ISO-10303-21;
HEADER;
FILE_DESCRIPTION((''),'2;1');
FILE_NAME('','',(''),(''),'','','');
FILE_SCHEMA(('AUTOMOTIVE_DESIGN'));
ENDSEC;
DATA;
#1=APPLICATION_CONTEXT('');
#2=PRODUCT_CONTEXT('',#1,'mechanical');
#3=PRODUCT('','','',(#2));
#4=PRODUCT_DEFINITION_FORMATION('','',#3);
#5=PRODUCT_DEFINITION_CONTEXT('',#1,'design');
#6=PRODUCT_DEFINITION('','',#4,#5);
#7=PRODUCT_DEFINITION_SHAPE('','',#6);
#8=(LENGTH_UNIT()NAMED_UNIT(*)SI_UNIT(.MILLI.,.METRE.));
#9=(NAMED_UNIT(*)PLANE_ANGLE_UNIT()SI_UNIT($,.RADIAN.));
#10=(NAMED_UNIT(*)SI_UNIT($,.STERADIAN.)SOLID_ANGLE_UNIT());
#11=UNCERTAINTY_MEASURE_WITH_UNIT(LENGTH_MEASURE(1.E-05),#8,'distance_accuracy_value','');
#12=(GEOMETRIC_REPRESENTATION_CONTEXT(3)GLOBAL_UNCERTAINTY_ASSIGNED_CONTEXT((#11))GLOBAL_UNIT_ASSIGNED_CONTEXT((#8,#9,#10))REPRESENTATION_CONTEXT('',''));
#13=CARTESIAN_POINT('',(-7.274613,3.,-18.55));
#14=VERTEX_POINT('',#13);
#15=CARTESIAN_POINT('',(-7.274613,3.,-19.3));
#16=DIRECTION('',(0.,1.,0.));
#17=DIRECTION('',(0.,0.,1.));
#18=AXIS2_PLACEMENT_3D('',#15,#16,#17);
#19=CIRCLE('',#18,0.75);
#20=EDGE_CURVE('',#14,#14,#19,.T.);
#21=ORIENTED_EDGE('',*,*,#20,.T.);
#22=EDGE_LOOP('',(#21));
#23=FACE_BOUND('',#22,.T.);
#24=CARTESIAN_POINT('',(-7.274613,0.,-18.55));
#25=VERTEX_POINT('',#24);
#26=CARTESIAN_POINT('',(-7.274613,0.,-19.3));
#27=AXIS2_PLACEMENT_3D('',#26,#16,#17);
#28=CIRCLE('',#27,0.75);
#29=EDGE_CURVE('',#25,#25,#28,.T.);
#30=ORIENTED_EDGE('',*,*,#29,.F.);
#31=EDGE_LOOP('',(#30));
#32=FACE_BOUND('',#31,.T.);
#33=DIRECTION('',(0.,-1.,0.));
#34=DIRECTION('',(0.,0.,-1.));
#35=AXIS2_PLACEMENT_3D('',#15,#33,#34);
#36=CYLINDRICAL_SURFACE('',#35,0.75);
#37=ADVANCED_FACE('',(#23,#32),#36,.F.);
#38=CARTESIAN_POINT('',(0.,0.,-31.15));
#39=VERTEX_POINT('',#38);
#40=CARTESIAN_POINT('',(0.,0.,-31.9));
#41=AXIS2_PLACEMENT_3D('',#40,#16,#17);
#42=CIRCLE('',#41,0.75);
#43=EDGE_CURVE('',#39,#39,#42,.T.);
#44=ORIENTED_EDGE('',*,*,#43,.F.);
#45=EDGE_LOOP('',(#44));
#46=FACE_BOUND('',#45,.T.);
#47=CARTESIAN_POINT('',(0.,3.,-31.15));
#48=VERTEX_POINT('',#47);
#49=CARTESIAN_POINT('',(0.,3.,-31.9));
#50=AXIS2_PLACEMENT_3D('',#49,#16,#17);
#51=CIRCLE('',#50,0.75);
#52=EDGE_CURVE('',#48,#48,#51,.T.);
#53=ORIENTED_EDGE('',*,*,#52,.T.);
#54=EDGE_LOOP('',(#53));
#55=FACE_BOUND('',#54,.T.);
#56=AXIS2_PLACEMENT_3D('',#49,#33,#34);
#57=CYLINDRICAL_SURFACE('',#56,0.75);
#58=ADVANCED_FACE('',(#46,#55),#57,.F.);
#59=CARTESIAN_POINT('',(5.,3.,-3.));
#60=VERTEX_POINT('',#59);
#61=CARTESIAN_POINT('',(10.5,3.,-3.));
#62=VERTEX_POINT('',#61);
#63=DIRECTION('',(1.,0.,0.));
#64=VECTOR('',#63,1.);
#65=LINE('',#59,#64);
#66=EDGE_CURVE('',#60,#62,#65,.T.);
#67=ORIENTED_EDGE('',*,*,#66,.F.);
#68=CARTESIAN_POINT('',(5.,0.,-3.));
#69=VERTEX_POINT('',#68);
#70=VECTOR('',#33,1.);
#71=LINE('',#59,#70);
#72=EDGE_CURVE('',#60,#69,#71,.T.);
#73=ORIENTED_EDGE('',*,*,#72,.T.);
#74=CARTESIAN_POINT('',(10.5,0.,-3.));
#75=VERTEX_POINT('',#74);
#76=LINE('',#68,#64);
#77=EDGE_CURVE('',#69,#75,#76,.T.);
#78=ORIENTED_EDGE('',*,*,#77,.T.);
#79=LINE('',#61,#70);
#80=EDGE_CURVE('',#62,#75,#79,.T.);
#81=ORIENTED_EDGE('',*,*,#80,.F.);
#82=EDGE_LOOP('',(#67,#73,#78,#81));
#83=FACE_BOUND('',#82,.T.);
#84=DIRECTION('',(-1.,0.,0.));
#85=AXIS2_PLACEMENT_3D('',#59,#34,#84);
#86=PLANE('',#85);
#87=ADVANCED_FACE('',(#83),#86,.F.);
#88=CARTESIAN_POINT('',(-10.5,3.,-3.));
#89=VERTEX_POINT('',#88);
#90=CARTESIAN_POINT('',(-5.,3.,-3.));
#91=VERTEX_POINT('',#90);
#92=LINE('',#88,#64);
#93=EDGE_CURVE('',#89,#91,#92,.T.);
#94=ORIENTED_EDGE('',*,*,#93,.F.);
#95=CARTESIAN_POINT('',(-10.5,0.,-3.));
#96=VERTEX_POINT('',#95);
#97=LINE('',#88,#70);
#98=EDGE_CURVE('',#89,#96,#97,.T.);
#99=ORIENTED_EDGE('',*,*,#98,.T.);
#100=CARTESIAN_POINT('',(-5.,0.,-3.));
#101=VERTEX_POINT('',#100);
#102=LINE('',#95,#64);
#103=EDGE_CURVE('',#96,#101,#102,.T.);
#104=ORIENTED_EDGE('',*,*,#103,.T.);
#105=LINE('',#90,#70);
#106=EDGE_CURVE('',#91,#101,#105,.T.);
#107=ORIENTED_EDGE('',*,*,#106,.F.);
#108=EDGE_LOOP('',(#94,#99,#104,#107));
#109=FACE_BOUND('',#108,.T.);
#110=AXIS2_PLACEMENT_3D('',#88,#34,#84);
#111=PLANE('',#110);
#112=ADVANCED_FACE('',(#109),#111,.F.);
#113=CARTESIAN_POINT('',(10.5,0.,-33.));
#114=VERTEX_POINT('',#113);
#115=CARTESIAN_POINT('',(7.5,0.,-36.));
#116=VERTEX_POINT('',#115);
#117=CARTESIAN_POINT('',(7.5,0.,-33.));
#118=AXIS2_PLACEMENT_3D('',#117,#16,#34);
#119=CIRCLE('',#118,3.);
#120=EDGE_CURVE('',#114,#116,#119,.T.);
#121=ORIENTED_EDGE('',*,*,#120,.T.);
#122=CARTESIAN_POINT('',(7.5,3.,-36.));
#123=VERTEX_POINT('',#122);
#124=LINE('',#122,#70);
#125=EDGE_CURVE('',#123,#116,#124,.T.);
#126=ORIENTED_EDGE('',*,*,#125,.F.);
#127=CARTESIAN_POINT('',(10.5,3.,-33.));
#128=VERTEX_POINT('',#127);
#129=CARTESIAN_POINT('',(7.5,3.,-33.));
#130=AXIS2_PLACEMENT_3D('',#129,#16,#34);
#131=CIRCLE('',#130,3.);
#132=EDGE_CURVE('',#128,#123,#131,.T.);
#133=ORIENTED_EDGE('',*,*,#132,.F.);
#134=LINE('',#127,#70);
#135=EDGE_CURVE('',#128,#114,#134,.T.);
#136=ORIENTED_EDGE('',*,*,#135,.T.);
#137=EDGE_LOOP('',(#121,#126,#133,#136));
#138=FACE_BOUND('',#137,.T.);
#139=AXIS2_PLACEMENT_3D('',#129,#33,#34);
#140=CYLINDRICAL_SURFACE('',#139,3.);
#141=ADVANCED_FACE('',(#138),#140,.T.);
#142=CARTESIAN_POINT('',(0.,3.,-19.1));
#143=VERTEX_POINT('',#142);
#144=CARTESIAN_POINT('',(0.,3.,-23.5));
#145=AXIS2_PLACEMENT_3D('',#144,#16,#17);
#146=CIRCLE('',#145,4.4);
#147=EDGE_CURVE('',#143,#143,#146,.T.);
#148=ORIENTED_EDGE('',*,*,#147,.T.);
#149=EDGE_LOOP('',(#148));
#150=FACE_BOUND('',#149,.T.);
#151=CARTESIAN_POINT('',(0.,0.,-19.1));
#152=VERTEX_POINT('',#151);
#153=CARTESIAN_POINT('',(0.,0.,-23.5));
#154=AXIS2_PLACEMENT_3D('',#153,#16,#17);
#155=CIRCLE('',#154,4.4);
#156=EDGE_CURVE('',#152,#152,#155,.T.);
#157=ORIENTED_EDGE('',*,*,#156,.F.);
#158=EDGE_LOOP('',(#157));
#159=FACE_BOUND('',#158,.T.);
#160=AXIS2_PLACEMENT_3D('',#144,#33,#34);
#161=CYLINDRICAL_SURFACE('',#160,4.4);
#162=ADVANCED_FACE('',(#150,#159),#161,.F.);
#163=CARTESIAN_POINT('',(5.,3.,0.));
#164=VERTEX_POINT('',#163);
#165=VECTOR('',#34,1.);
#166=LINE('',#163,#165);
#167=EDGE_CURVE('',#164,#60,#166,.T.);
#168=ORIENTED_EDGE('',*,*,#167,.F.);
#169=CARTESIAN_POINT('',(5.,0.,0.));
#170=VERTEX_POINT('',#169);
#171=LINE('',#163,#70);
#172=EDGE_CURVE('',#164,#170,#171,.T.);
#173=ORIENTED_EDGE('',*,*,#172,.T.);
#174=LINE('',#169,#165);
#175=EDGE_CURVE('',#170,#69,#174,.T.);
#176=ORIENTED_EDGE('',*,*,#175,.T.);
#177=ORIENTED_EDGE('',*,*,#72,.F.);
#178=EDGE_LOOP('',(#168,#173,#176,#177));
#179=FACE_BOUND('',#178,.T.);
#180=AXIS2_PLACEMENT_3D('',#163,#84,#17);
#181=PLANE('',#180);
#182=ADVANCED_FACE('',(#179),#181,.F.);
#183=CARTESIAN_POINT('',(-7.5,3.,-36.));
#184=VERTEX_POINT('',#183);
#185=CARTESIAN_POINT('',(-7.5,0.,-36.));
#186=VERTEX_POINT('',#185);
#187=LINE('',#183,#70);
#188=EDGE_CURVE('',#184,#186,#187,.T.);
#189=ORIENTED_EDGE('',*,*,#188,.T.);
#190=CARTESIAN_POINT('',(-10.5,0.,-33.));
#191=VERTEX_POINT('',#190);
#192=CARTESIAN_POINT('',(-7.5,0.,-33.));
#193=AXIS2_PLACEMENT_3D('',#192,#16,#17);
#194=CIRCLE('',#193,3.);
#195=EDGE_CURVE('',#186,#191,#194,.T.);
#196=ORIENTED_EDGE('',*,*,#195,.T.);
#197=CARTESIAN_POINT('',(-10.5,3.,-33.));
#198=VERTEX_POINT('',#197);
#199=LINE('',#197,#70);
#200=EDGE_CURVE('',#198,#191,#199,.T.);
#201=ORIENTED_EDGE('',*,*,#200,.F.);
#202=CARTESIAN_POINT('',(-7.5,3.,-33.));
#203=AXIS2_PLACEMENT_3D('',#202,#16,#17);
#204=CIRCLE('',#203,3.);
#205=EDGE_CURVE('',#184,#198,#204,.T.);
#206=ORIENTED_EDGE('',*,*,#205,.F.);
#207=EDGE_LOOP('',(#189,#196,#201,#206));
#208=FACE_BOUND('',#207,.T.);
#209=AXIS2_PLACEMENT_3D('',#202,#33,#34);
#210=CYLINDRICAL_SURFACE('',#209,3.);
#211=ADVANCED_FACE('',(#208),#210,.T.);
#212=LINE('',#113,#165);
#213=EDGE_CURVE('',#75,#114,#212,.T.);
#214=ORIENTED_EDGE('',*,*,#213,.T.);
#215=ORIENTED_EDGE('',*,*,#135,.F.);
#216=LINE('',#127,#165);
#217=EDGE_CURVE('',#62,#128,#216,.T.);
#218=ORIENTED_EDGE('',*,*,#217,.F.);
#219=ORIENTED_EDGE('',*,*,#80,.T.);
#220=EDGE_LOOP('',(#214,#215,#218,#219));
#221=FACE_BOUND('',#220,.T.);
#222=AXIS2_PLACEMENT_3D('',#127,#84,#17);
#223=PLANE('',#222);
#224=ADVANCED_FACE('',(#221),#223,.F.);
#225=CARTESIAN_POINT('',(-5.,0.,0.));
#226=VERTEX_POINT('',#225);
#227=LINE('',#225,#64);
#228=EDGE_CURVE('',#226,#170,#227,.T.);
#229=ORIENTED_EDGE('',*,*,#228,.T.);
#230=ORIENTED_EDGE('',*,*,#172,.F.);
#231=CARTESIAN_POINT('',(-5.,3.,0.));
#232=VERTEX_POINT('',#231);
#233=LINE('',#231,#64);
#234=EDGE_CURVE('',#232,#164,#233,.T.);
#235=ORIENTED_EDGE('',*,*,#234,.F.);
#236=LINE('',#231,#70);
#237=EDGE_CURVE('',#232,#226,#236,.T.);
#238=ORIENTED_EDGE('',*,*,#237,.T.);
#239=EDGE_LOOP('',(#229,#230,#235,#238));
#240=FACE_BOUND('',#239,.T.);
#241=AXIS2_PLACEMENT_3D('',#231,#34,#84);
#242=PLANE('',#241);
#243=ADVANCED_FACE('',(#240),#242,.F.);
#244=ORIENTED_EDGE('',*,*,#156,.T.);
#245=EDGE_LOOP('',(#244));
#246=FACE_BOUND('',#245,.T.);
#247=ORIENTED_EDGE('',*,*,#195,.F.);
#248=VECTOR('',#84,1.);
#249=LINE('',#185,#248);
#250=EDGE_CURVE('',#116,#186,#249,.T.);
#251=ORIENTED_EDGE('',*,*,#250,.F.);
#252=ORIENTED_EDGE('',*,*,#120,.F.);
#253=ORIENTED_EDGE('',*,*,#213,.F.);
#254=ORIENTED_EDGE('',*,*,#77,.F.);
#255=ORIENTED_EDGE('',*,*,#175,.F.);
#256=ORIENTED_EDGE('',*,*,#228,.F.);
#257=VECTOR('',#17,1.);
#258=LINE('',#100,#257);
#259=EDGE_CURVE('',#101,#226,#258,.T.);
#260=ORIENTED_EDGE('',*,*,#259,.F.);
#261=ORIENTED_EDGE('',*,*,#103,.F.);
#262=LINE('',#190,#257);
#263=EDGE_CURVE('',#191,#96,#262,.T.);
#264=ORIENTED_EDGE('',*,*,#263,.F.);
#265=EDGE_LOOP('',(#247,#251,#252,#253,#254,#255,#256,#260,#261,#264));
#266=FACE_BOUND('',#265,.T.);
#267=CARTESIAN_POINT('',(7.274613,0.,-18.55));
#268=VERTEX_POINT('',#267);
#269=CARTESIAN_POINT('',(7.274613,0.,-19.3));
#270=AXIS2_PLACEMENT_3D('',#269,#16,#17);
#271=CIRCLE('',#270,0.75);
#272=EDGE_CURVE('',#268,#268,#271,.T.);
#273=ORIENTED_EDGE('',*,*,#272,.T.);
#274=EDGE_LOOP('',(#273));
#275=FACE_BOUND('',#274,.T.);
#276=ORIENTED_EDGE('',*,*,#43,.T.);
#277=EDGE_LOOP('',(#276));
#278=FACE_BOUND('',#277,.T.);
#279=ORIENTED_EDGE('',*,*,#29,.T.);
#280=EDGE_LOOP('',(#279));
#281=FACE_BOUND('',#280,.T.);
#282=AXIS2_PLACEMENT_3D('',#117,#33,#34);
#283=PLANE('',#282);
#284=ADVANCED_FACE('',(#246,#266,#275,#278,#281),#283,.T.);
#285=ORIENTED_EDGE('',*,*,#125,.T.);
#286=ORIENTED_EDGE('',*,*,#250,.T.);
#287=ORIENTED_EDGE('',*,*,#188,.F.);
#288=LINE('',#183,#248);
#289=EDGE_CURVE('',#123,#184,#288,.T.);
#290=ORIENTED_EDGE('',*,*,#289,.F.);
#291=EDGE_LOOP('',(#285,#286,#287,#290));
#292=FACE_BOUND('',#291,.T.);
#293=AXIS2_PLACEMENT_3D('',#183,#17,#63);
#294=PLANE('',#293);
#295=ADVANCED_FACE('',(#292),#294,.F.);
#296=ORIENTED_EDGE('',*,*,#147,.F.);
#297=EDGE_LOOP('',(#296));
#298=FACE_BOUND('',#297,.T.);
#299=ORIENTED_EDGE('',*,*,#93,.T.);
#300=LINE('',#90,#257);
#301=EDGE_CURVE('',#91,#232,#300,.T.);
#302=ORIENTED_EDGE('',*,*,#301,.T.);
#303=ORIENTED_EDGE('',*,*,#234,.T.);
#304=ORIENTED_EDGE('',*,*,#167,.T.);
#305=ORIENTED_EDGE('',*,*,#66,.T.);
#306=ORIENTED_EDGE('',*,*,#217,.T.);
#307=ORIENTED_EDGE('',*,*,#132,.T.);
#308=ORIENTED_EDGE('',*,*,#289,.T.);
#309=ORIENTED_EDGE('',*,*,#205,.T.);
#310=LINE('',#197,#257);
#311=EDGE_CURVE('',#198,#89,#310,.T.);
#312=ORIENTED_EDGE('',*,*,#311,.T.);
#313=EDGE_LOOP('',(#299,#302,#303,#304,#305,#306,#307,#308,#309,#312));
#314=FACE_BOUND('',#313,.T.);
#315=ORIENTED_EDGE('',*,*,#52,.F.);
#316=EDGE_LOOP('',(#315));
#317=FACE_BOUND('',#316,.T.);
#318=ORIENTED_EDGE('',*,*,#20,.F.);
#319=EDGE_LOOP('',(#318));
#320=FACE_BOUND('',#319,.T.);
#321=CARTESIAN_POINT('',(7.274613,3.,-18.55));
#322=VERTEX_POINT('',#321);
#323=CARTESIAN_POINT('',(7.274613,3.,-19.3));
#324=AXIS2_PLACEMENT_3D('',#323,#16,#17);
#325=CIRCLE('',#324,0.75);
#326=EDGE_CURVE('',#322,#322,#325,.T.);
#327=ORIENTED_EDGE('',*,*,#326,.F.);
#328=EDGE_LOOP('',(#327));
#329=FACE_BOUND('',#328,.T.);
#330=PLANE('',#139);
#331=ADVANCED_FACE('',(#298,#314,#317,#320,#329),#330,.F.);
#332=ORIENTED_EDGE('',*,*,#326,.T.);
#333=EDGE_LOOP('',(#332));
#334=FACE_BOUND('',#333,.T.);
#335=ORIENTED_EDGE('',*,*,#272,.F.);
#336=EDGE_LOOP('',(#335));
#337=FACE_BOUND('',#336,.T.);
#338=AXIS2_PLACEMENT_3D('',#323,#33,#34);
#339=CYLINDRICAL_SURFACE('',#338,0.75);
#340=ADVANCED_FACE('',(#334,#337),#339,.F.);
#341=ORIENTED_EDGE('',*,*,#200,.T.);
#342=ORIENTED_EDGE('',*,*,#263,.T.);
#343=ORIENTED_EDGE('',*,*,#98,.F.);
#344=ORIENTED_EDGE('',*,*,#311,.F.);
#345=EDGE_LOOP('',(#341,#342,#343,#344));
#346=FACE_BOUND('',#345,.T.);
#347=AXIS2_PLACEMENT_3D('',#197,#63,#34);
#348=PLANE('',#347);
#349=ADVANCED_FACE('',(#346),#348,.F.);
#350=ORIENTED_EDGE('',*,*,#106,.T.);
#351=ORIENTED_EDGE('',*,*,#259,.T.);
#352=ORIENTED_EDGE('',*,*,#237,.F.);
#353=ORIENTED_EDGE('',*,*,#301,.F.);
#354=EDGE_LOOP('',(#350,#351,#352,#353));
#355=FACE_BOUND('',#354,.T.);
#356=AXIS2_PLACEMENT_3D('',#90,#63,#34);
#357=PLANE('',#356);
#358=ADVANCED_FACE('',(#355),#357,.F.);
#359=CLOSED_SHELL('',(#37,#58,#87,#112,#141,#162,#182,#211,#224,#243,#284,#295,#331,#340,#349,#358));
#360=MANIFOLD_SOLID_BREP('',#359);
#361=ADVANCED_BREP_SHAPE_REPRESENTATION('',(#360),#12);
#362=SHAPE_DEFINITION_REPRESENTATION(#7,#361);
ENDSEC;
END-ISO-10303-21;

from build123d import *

# Parameters (mm, degrees)
ESQUISSE1_R        = 4.4
ESQUISSE1_R_2      = 0.75
BOSS_EXTRU_1_DEPTH = 3


with BuildPart() as part:
    # Esquisse1 → Boss.-Extru.1 (new body)
    with BuildSketch(Plane(origin=(0, 0, 0), x_dir=(1, 0, 0), z_dir=(0, 1, 0))):
        with BuildLine():
            Line((-10.5, 3), (-5, 3))
            Line((-5, 3), (-5, 0))
            Line((-5, 0), (5, 0))
            Line((5, 0), (5, 3))
            Line((5, 3), (10.5, 3))
            Line((10.5, 3), (10.5, 33))
            ThreePointArc((10.5, 33), (9.621320344, 35.121320344), (7.5, 36))
            Line((7.5, 36), (-7.5, 36))
            ThreePointArc((-7.5, 36), (-9.621320344, 35.121320344), (-10.5, 33))
            Line((-10.5, 33), (-10.5, 3))
        make_face()
        with Locations(Location((0, 23.5, 0), (0, 0, 270))):
            Circle(ESQUISSE1_R, mode=Mode.SUBTRACT)
        with Locations(Location((0, 31.9, 0), (0, 0, 270))):
            Circle(ESQUISSE1_R_2, mode=Mode.SUBTRACT)
        with Locations(Location((7.274613392, 19.3, 0), (0, 0, 270))):
            Circle(ESQUISSE1_R_2, mode=Mode.SUBTRACT)
        with Locations(Location((-7.274613392, 19.3, 0), (0, 0, 270))):
            Circle(ESQUISSE1_R_2, mode=Mode.SUBTRACT)
    extrude(amount=BOSS_EXTRU_1_DEPTH)


solid = part.part
